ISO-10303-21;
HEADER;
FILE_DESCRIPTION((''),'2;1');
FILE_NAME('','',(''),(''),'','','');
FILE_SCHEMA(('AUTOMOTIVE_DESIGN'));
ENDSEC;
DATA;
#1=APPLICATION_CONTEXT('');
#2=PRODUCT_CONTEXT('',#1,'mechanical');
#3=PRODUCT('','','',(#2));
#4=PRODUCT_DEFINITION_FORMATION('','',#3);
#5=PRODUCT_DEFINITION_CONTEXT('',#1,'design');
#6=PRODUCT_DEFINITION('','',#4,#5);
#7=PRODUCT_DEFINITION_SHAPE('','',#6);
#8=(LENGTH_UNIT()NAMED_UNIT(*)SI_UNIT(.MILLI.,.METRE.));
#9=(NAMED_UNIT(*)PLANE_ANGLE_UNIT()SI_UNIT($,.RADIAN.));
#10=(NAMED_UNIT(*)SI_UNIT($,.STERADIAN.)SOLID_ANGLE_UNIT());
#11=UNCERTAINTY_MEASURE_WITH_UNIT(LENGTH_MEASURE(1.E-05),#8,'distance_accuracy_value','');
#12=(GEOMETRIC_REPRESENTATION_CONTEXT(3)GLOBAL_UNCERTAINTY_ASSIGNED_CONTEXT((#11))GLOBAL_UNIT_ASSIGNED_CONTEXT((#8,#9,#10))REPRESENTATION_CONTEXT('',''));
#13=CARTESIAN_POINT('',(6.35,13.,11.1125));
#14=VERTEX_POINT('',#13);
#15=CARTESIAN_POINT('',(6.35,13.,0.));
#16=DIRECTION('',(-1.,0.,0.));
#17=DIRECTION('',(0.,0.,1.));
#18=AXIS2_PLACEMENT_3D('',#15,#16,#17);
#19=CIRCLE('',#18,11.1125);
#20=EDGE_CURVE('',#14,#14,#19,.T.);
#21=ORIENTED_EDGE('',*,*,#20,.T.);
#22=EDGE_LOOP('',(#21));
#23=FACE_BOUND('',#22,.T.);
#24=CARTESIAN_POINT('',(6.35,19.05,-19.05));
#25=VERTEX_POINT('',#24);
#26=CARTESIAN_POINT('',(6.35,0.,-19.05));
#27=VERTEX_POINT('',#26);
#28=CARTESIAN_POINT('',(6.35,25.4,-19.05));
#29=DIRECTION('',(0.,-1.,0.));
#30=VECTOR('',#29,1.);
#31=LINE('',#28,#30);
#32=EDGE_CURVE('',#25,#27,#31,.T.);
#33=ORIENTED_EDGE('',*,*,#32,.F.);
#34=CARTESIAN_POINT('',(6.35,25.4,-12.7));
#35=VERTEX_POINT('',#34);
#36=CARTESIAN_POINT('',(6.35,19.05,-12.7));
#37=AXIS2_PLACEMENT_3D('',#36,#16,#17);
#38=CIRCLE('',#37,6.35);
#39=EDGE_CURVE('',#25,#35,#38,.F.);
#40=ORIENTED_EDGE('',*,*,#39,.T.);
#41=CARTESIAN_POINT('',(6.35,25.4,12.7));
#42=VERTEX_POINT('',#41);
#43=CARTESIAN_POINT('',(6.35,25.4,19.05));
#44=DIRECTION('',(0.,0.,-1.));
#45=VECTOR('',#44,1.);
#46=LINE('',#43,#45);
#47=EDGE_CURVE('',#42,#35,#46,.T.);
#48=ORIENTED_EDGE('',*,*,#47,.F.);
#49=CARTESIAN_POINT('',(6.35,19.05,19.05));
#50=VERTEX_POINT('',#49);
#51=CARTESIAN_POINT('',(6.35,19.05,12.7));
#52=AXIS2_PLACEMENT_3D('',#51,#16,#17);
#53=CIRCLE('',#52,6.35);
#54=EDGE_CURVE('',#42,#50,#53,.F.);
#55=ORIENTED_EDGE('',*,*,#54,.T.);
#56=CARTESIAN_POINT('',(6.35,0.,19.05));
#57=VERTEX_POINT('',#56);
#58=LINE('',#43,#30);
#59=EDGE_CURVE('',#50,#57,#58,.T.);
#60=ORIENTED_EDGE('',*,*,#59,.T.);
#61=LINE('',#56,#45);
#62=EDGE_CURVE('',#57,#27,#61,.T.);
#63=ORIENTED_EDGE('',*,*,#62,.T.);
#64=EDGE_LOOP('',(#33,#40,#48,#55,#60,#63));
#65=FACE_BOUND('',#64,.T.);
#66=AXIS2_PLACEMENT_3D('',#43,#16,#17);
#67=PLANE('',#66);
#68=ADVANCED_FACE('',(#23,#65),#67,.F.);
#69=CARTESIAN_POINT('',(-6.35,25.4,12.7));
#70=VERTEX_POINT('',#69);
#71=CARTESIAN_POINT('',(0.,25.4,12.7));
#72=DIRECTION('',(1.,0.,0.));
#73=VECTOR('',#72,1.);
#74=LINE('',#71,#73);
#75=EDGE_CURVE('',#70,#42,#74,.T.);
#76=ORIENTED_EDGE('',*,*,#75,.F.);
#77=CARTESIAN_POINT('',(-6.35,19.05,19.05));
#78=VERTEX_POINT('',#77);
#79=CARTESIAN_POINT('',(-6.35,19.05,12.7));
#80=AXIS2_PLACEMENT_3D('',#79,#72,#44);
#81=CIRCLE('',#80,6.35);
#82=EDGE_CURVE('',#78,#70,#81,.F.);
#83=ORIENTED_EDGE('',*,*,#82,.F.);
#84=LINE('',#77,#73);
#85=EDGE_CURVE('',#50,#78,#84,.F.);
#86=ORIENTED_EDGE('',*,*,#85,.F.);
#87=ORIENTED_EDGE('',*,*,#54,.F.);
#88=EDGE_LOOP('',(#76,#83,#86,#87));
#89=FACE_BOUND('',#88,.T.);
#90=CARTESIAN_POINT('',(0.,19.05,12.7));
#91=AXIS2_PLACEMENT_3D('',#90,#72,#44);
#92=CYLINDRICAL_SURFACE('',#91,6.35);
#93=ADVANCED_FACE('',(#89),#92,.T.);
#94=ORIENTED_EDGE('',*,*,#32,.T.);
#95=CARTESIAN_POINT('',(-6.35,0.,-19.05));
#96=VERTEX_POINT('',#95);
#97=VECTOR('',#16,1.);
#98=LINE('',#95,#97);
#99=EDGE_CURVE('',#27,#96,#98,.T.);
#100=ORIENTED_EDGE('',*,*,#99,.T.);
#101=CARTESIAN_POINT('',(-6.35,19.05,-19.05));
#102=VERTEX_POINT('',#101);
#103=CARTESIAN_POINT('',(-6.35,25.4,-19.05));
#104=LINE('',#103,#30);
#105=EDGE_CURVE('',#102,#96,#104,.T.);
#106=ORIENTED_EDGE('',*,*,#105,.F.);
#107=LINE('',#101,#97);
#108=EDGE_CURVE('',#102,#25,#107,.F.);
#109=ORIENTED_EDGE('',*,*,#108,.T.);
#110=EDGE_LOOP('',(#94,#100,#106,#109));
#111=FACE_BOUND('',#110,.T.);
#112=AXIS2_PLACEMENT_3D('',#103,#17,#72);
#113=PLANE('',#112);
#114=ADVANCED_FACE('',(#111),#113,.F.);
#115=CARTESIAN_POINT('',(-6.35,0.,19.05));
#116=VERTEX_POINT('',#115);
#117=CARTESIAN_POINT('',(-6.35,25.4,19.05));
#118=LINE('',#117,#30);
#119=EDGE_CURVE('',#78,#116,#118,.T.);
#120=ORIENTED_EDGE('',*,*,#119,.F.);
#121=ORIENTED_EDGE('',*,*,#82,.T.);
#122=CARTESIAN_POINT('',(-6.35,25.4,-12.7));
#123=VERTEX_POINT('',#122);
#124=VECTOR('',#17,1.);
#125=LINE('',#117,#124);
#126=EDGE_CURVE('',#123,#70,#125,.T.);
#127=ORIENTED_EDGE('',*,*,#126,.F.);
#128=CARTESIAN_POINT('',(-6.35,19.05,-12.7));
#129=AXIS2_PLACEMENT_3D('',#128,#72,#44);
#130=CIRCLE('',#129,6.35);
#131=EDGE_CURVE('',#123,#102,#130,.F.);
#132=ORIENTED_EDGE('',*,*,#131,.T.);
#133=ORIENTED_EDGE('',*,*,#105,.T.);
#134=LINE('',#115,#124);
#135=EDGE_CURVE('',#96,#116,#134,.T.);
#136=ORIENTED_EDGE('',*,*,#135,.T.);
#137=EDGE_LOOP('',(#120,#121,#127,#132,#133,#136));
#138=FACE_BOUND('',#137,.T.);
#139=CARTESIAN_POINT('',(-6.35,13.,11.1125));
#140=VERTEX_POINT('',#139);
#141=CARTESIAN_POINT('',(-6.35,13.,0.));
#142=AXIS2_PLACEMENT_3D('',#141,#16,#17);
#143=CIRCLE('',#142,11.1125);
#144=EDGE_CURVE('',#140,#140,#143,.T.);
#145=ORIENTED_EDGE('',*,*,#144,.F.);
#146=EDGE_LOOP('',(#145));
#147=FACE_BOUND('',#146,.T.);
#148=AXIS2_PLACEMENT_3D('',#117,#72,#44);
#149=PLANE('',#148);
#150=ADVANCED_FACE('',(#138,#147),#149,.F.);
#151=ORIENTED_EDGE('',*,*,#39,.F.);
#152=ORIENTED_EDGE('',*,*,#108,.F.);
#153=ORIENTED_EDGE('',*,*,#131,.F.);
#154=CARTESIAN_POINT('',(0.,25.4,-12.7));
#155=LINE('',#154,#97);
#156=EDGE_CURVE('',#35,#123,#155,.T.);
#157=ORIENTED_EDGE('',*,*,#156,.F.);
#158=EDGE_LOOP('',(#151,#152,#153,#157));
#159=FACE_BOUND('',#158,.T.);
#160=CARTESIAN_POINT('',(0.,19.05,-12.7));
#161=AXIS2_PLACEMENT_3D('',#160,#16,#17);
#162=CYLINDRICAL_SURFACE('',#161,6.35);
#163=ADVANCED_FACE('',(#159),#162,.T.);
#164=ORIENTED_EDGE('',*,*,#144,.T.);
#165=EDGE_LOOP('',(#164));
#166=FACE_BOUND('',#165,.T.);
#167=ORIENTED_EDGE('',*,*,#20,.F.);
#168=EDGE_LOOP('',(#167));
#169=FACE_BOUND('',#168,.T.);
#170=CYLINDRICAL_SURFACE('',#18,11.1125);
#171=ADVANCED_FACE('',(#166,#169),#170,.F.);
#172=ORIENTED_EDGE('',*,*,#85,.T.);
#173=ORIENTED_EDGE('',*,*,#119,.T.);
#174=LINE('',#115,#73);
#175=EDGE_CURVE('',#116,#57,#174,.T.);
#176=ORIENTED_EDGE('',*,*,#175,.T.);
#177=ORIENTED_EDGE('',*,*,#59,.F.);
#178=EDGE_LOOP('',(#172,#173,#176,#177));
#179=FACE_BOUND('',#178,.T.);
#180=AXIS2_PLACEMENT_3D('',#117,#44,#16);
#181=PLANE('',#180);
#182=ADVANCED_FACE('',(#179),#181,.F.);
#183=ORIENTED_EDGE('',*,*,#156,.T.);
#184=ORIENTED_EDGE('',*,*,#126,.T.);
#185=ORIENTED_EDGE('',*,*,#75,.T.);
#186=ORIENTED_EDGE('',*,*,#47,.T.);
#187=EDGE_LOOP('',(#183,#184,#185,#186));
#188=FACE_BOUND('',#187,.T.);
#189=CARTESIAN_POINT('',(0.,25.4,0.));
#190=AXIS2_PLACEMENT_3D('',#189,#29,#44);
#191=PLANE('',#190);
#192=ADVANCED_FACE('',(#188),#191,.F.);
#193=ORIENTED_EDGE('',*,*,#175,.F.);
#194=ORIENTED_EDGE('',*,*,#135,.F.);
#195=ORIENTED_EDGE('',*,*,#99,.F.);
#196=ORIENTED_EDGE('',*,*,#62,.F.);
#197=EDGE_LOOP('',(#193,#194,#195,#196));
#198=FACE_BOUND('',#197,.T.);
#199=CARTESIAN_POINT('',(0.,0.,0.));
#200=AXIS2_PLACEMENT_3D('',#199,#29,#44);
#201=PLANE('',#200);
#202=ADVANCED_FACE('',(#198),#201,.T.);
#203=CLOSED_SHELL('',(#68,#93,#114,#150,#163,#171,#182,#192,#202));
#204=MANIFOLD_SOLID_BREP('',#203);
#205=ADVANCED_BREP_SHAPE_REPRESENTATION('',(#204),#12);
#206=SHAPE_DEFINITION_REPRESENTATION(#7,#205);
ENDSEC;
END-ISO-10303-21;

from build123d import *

# Parameters (mm, degrees)
SKETCH1_W           = 12.7
SKETCH1_H           = 38.1
BOSS_EXTRUDE1_DEPTH = 25.4
FILLET1_R           = 6.35
SKETCH2_R           = 11.1125
CUT_EXTRUDE1_DEPTH  = 13.7


with BuildPart() as part:
    # Sketch1 → Boss-Extrude1 (new body)
    with BuildSketch(Plane(origin=(0, 0, 0), x_dir=(1, 0, 0), z_dir=(0, 1, 0))):
        Rectangle(SKETCH1_W, SKETCH1_H)
    extrude(amount=BOSS_EXTRUDE1_DEPTH)

    # Fillet1
    fillet1_edges = [part.edges().sort_by_distance(p)[0] for p in [
        (0, 25.4, 19.05),
        (0, 25.4, -19.05),
    ]]
    fillet(fillet1_edges, radius=FILLET1_R)

    # Sketch2 → Cut-Extrude1 (cut, through all)
    with BuildSketch(Plane.ZY.offset(6.35)):
        with Locations((0, 13)):
            Circle(SKETCH2_R)
    extrude(amount=-CUT_EXTRUDE1_DEPTH, mode=Mode.SUBTRACT)


solid = part.part
